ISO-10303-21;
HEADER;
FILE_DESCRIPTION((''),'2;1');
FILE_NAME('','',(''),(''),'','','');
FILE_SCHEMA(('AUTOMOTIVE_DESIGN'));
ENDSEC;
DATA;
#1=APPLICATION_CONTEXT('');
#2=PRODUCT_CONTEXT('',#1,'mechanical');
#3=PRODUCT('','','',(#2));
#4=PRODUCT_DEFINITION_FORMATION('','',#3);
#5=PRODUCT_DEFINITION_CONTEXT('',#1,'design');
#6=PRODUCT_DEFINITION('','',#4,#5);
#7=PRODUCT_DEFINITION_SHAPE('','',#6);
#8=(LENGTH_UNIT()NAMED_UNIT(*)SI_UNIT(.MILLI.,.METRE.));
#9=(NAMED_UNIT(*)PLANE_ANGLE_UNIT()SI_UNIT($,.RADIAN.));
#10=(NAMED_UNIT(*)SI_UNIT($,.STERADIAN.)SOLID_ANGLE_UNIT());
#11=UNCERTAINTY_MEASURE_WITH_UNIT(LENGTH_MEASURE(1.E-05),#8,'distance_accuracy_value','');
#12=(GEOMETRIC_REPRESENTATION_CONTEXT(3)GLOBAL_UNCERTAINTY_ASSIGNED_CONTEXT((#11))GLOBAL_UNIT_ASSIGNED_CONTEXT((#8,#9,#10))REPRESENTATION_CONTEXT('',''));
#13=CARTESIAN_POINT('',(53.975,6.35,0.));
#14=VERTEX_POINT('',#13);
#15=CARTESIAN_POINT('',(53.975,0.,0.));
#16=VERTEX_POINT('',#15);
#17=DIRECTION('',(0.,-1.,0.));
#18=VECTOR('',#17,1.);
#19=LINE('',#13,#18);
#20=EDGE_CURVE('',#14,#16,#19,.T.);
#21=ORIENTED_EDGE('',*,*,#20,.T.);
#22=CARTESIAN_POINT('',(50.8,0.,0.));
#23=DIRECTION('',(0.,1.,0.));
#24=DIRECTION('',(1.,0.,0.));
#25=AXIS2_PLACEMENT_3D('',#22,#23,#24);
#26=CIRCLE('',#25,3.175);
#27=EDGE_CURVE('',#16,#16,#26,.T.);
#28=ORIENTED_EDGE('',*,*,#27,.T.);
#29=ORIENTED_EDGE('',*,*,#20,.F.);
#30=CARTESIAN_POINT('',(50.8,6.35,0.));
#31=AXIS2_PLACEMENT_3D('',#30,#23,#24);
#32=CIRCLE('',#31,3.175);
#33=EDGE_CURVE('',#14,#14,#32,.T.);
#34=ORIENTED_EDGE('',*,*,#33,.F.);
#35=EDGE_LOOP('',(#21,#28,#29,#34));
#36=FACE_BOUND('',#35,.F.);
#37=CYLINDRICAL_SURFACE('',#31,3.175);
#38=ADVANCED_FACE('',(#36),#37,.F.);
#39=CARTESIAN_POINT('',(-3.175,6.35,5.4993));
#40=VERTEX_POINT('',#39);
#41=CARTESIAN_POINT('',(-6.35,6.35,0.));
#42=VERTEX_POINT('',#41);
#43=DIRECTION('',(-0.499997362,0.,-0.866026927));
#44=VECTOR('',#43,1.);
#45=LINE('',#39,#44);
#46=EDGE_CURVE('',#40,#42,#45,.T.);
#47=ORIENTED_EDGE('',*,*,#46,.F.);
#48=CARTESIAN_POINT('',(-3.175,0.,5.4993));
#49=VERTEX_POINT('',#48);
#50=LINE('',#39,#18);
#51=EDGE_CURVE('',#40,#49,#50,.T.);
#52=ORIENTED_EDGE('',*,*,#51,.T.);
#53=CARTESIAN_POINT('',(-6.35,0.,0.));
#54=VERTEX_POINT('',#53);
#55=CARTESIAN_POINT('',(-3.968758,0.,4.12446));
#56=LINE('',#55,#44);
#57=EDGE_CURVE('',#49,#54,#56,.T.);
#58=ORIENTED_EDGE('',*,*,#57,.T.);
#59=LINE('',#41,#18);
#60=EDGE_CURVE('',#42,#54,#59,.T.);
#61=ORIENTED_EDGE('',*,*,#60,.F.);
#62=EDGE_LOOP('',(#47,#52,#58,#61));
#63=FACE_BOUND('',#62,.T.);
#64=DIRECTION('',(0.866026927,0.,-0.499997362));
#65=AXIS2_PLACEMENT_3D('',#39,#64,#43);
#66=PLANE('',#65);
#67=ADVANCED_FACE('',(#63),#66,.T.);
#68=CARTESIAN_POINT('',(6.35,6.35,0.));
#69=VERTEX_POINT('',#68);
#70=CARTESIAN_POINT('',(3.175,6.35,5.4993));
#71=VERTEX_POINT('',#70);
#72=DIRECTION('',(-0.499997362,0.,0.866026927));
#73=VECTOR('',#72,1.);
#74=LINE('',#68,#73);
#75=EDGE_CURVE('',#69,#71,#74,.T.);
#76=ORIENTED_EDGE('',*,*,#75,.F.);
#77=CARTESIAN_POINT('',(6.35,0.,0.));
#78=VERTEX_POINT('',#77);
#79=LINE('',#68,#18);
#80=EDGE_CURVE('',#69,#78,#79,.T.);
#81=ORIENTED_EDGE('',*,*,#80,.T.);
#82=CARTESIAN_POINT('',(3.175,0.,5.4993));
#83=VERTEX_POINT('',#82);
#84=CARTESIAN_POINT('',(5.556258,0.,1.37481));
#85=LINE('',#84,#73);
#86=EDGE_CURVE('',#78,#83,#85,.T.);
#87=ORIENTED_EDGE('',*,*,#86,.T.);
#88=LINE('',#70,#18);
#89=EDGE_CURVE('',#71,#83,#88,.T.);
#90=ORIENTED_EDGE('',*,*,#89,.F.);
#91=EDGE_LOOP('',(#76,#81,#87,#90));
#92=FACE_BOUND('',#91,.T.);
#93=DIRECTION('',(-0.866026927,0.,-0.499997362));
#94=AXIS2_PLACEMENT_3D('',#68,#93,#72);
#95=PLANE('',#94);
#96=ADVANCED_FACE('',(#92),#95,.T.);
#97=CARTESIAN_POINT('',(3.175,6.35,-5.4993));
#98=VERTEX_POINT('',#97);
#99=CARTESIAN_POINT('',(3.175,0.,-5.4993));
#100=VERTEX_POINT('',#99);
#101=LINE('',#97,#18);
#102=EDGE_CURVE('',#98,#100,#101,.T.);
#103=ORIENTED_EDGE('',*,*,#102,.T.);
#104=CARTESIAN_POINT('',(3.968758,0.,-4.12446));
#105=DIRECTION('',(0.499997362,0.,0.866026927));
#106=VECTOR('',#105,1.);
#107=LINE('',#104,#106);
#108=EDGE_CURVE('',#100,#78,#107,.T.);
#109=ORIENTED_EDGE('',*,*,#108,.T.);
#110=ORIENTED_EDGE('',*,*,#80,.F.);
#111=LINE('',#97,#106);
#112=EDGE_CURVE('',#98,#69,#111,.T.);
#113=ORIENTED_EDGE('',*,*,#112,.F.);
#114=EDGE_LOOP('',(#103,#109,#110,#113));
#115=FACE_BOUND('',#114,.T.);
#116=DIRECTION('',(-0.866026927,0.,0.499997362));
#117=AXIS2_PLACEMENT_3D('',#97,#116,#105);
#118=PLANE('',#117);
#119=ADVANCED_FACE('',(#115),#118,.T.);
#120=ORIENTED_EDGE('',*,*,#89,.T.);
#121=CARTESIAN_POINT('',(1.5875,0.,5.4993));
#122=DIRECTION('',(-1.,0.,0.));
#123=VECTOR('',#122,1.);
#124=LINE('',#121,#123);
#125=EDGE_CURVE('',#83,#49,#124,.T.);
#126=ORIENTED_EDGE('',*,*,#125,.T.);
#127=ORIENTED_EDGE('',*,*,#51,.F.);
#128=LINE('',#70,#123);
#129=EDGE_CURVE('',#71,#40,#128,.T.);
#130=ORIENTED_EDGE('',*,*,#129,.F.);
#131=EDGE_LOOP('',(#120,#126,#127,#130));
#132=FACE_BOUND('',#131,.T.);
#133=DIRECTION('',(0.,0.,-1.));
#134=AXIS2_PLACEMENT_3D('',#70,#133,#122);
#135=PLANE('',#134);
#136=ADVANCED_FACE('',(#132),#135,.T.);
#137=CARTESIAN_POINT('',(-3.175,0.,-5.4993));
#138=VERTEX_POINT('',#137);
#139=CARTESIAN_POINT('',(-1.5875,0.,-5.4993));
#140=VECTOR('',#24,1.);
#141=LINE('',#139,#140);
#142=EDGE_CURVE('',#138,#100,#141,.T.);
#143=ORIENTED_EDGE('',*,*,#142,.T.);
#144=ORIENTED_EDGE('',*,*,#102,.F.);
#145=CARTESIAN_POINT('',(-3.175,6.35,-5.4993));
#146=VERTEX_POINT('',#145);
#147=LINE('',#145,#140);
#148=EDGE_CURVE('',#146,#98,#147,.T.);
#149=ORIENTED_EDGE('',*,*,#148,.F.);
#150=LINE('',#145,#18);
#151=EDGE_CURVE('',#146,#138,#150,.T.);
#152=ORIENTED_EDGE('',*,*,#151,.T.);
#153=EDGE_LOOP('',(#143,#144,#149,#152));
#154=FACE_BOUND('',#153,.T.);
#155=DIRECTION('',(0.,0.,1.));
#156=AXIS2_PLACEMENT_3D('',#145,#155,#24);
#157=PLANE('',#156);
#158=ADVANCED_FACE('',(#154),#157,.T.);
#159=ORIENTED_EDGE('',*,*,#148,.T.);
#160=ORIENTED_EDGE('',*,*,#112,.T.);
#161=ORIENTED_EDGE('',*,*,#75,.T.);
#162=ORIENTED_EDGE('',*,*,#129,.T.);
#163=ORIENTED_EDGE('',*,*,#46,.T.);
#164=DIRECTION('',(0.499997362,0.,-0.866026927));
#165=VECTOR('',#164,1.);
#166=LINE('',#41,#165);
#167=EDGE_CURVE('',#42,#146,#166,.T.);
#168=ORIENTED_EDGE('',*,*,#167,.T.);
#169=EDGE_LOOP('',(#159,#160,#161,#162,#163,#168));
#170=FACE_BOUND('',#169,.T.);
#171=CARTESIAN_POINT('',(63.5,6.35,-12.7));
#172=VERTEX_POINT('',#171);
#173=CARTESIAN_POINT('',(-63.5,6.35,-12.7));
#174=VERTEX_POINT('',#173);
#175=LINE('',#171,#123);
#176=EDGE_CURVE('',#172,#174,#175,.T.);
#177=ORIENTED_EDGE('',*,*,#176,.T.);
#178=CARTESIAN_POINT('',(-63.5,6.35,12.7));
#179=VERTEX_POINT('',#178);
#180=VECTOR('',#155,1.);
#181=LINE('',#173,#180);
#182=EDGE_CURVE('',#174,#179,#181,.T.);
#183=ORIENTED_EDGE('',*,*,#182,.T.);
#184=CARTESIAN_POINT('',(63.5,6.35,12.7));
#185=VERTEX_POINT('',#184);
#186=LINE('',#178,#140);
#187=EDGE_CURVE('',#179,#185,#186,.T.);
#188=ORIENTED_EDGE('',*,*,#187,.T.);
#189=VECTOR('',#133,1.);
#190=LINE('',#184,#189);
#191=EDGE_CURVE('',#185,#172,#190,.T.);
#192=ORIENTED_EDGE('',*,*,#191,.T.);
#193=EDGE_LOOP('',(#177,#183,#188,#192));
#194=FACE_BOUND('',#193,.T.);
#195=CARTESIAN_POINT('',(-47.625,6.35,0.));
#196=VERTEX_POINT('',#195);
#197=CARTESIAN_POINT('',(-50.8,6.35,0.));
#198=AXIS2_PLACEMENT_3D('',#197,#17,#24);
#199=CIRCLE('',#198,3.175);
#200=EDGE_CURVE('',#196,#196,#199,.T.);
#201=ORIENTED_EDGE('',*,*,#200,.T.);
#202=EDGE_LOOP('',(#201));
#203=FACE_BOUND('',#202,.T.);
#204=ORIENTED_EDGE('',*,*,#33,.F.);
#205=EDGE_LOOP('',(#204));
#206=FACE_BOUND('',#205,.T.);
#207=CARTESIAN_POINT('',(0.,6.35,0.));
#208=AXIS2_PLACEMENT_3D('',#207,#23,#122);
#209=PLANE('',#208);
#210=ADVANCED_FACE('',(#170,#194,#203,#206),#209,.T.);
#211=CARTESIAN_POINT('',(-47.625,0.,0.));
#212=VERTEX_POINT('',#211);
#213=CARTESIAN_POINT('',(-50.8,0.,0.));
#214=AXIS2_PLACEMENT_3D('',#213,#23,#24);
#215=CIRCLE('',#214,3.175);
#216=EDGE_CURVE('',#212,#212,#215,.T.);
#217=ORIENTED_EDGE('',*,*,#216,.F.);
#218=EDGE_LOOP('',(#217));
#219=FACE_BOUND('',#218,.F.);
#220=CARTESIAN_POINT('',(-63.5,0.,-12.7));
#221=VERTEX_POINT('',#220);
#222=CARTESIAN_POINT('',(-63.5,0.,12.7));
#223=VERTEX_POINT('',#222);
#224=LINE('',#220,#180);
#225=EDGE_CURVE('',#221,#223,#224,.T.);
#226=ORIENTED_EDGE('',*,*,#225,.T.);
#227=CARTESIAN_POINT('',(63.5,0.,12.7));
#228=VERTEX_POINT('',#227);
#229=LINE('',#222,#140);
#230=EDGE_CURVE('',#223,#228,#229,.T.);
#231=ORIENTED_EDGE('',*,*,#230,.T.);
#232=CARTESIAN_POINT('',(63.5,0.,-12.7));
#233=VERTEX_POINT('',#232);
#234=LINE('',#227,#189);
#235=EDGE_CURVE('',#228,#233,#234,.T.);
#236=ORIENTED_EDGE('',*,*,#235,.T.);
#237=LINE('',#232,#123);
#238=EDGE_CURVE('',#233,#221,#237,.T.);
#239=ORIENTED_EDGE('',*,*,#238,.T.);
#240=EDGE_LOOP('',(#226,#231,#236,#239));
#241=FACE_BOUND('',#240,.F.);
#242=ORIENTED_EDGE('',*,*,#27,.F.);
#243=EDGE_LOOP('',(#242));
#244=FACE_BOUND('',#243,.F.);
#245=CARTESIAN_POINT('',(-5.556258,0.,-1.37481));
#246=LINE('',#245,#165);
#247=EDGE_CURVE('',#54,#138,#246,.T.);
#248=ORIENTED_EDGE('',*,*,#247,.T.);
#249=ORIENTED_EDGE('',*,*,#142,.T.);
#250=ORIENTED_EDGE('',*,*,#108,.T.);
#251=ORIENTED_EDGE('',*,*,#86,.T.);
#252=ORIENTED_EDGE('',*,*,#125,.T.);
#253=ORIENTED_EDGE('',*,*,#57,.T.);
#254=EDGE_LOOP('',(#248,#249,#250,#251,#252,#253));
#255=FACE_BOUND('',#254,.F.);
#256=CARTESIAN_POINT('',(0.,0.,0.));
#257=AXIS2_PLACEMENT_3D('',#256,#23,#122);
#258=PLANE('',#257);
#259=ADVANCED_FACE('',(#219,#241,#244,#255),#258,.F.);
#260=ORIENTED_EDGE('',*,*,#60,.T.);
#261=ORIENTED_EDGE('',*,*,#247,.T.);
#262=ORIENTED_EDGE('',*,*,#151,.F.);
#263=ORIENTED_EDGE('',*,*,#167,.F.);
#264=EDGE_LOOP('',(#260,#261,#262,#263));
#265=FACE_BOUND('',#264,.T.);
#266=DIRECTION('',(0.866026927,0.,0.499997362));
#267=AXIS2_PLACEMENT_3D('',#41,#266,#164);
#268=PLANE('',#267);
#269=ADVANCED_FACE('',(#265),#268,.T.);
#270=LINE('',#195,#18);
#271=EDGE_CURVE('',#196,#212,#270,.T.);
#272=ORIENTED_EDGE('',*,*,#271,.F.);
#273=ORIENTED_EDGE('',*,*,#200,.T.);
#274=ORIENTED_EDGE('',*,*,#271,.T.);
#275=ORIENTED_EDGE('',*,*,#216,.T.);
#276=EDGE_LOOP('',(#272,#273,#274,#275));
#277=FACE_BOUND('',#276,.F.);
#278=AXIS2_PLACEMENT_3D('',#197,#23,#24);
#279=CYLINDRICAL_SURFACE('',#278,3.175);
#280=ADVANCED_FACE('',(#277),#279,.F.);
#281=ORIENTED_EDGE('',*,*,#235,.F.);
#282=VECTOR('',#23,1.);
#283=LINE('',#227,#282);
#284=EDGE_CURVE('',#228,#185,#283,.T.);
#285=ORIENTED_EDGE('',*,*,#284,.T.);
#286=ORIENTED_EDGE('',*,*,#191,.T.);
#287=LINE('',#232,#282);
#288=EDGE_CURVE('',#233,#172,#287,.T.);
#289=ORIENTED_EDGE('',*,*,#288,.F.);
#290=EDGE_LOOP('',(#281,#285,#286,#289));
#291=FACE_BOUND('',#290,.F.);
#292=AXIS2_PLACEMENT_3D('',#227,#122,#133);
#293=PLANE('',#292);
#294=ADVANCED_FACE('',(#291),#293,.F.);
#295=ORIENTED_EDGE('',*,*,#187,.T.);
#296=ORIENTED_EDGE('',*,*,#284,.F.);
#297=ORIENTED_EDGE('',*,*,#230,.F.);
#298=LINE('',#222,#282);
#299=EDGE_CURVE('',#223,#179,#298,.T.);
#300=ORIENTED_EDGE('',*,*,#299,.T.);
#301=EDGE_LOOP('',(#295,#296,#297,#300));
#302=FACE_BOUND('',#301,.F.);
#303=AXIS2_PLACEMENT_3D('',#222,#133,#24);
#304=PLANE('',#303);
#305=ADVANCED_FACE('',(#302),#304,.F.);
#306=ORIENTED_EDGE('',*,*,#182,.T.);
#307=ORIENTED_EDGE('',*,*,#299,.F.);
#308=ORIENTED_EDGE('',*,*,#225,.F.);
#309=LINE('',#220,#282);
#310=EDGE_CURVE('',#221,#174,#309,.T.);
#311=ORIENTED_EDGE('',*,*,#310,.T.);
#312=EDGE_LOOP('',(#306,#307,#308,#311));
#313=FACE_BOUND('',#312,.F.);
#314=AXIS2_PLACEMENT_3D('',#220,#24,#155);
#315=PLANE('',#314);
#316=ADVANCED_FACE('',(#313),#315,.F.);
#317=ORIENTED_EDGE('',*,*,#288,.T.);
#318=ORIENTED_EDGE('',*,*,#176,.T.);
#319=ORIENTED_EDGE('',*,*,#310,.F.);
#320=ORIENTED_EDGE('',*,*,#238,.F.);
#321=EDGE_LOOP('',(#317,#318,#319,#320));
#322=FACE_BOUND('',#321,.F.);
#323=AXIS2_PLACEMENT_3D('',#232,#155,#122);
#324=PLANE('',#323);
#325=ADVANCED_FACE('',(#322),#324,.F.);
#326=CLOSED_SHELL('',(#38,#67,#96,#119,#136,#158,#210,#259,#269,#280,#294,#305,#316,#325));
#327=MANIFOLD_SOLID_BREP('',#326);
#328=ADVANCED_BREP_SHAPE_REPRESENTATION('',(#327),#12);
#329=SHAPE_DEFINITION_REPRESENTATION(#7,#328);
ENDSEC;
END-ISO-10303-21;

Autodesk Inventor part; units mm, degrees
ref_plane "YZ Plane" through (0, 0, 0) normal (1, 0, 0) x (0, 1, 0)
ref_plane "XZ Plane" through (0, 0, 0) normal (0, 1, 0) x (-1, 0, 0)
ref_plane "XY Plane" through (0, 0, 0) normal (0, 0, 1) x (1, 0, 0)
sketch "Sketch1" plane through (0, 0, 0) normal (0, 1, 0) x (-1, 0, 0)
  line L0 (-63.5, -12.7) -> (63.5, -12.7)
  line L1 (63.5, -12.7) -> (63.5, 12.7)
  line L2 (63.5, 12.7) -> (-63.5, 12.7)
  line L3 (-63.5, 12.7) -> (-63.5, -12.7)
  line L4 (-63.5, -12.7) -> (63.5, 12.7) construction
  line L5 (63.5, -12.7) -> (-63.5, 12.7) construction
  point P0 (0, 0)
  dimension "d0" = 127
  dimension "d1" = 25.4
extrude "Extrusion1" add sketch "Sketch1" along normal blind 6.35
sketch "Sketch2" plane through (0, 6.35, 0) normal (0, 1, 0) x (1, 0, 0)
  line L0 (-63.5, 12.7) -> (-63.5, -12.7) projected
  line L1 (63.5, -12.7) -> (63.5, 12.7) projected
  line L2 (-63.5, 0) -> (-50.8, 0)
  line L3 (-63.5, 0) -> (-50.8, 0) construction
  line L4 (63.5, 0) -> (50.8, 0)
  line L5 (63.5, 0) -> (76.2, 0) construction
  circle A0 centre (-50.8, 0) radius 3.175
  circle A1 centre (50.8, 0) radius 3.175
  point P0 (0, 0)
  dimension "d4" = 12.7
  dimension "d5" = 0
  dimension "d6" = 12.7
  dimension "d7" = 180
  dimension "d8" = 6.35
  dimension "d9" = 6.35
extrude "Extrusion2" cut sketch "Sketch2" against normal blind 6.35
sketch "Sketch3" plane through (0, 6.35, 0) normal (0, 1, 0) x (1, 0, 0)
  circle A0 centre (0, 0) radius 6.35
  line L0 (-6.35, 0) -> (-3.175, 5.4993)
  line L1 (-3.175, 5.4993) -> (3.175, 5.4993)
  line L2 (3.175, 5.4993) -> (6.35, 0)
  line L3 (6.35, 0) -> (3.175, -5.4993)
  line L4 (3.175, -5.4993) -> (-3.175, -5.4993)
  line L5 (-3.175, -5.4993) -> (-6.35, 0)
  dimension "d12" = 12.7
extrude "Extrusion3" cut sketch "Sketch3" against normal blind 25.4 contours L3 L4 L5 L0 L1 L2
properties part number "ArmPlate"
